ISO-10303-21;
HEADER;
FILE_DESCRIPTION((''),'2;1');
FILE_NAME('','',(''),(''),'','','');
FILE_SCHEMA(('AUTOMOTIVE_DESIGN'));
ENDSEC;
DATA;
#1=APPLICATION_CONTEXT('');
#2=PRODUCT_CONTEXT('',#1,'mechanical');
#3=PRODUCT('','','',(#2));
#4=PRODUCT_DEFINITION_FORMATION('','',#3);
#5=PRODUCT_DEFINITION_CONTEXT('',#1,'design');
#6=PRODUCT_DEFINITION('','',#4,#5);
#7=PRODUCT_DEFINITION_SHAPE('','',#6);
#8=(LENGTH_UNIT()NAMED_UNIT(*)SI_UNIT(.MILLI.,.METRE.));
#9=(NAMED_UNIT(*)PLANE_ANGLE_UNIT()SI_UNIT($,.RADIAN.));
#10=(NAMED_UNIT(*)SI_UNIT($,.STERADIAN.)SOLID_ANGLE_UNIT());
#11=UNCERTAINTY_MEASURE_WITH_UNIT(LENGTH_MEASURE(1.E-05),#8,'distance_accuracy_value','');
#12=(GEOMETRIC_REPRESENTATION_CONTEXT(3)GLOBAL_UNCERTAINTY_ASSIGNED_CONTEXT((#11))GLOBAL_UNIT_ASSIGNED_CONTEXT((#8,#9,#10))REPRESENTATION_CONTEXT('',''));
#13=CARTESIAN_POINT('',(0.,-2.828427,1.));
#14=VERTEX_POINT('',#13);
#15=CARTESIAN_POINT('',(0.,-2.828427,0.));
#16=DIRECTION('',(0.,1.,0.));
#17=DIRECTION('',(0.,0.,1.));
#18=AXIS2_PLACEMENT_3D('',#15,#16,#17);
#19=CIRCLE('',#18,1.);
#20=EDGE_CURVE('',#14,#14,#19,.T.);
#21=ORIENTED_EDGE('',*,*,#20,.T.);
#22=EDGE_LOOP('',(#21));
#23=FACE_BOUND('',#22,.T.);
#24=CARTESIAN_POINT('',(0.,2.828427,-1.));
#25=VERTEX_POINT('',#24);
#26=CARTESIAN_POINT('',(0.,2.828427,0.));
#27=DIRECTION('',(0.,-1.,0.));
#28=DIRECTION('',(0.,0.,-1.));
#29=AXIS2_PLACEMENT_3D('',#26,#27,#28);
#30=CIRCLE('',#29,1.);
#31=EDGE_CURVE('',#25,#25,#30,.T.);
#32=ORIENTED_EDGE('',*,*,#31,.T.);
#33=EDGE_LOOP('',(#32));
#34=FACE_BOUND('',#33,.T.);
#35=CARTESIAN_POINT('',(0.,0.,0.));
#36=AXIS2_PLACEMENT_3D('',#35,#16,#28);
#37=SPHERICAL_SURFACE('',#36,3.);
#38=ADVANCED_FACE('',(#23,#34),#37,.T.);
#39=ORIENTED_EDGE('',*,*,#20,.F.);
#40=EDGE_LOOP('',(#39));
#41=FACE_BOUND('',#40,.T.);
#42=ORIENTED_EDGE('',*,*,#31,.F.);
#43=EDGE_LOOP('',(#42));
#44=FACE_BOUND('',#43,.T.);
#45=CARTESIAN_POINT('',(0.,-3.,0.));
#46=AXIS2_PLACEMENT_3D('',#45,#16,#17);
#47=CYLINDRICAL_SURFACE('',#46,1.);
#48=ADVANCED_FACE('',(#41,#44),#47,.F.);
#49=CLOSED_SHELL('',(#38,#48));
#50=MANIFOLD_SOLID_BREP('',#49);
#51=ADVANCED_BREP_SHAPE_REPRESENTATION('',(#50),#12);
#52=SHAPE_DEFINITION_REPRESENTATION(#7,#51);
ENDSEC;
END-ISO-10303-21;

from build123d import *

# Parameters (mm, degrees)
SKETCH_2_R               = 1
CUT_EXTRUDE_1_DEPTH      = 4
CUT_EXTRUDE_1_DEPTH_BACK = 4


with BuildPart() as part:
    # 草图1 → 旋转3 (revolve)
    with BuildSketch(Plane(origin=(0, 0, 0), x_dir=(0, 0, -1), z_dir=(1, 0, 0))):
        with BuildLine():
            Line((0, 3), (0, -3))
            ThreePointArc((0, -3), (3, 0), (0, 3))
        make_face()
    revolve(axis=Axis((0, 3, 0), (0, -1, 0)))

    # 草图2 → 切除-拉伸1 (cut, two sides)
    with BuildSketch(Plane(origin=(0, 0, 0), x_dir=(1, 0, 0), z_dir=(0, 1, 0))) as cut_extrude_1_sk:
        Circle(SKETCH_2_R)
    extrude(amount=CUT_EXTRUDE_1_DEPTH, mode=Mode.SUBTRACT)
    extrude(cut_extrude_1_sk.sketch, amount=-CUT_EXTRUDE_1_DEPTH_BACK, mode=Mode.SUBTRACT)


solid = part.part
